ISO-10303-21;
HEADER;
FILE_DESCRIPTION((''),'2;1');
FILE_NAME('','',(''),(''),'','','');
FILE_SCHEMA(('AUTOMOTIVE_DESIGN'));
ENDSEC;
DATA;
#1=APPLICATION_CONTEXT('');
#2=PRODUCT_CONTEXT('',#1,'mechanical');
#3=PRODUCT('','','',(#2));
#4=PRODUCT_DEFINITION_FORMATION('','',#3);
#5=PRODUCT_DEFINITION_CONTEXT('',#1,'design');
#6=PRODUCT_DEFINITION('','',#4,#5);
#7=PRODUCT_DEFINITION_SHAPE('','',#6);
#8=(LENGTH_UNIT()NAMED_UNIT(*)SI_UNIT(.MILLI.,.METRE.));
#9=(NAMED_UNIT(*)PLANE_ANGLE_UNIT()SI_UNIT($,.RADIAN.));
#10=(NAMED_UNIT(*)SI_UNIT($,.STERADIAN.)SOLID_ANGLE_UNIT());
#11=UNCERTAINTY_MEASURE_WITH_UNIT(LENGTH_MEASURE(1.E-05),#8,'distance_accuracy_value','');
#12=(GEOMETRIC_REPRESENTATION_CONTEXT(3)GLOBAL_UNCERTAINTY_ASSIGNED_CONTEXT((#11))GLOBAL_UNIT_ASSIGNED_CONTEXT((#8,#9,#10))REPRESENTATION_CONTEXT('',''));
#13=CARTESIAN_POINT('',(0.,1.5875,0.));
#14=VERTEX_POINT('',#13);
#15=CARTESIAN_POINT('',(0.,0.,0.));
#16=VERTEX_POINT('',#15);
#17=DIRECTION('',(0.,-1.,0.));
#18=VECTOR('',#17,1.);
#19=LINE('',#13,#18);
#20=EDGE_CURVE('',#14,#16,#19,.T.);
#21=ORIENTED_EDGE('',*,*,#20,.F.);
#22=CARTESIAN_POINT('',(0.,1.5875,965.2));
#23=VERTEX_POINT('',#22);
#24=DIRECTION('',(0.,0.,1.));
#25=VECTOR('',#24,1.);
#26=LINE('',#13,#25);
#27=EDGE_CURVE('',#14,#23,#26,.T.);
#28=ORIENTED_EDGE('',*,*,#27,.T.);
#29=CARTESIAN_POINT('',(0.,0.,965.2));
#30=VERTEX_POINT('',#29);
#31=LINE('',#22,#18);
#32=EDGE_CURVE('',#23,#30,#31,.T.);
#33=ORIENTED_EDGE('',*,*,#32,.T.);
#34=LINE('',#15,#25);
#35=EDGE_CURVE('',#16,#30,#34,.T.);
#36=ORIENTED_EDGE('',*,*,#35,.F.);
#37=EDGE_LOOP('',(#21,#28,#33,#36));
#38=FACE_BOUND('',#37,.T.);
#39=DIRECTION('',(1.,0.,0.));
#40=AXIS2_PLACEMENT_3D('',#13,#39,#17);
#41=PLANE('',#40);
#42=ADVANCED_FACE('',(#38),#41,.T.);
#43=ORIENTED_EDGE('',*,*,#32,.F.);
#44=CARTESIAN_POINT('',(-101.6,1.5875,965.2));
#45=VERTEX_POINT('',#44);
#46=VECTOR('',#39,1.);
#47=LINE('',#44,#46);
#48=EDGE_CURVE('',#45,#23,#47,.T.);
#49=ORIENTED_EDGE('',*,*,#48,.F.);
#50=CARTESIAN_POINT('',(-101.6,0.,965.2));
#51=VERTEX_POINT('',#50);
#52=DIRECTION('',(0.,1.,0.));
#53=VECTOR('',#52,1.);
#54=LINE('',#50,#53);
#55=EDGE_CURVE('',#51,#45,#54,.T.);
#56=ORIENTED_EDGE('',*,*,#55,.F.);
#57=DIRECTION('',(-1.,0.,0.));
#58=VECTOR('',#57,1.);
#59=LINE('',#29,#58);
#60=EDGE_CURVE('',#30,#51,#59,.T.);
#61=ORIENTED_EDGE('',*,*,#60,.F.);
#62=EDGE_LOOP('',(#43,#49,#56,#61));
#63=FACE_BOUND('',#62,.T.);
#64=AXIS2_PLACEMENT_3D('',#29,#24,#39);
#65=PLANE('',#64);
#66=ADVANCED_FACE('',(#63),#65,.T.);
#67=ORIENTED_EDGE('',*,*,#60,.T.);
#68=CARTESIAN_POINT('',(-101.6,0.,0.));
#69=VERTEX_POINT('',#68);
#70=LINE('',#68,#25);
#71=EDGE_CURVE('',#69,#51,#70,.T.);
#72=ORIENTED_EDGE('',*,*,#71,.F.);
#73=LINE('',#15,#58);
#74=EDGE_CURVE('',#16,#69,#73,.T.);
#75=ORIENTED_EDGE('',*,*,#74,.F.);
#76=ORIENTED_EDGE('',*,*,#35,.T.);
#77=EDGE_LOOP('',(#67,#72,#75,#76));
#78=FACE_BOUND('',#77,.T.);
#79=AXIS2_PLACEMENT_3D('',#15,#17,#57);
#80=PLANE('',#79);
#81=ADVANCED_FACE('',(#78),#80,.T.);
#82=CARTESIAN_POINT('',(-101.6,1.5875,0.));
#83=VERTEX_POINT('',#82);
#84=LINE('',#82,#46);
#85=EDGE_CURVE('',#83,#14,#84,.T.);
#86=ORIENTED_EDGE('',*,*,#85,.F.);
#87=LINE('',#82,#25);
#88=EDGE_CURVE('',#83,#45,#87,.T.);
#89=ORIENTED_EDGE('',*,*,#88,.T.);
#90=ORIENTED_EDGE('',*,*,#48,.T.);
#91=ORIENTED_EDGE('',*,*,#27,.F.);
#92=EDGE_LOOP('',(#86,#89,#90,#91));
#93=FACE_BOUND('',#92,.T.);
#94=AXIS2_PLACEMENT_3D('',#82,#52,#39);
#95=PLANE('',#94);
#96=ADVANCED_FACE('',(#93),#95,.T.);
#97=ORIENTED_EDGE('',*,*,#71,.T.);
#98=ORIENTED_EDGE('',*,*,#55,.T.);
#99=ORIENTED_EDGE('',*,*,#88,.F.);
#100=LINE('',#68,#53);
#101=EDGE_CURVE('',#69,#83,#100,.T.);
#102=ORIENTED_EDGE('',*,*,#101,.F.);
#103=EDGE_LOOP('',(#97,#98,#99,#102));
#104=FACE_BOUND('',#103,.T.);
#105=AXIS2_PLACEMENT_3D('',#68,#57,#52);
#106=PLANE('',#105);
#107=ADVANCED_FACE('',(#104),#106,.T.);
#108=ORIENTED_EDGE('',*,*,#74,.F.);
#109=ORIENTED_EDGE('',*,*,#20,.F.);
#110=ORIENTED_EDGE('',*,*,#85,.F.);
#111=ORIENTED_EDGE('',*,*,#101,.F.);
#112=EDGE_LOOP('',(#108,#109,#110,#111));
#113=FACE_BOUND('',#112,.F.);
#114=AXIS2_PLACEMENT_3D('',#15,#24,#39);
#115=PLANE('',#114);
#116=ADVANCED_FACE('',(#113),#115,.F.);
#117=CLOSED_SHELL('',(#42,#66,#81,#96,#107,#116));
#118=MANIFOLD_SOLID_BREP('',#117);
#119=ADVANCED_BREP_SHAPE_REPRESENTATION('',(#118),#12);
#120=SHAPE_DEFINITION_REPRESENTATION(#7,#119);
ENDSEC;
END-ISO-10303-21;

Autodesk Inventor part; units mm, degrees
ref_plane "YZ Plane" through (0, 0, 0) normal (1, 0, 0) x (0, 1, 0)
ref_plane "XZ Plane" through (0, 0, 0) normal (0, 1, 0) x (-1, 0, 0)
ref_plane "XY Plane" through (0, 0, 0) normal (0, 0, 1) x (1, 0, 0)
sketch "Sketch1" plane through (0, 0, 0) normal (0, 0, 1) x (1, 0, 0)
  line L0 (0, 0) -> (-101.6, 0)
  line L1 (-101.6, 0) -> (-101.6, 1.5875)
  line L2 (-101.6, 1.5875) -> (0, 1.5875)
  line L3 (0, 1.5875) -> (0, 0)
  dimension "d0" = 101.6
  dimension "d1" = 1.5875
extrude "Extrusion1" add sketch "Sketch1" along normal blind 965.2
properties part number "GE-12103-06"
